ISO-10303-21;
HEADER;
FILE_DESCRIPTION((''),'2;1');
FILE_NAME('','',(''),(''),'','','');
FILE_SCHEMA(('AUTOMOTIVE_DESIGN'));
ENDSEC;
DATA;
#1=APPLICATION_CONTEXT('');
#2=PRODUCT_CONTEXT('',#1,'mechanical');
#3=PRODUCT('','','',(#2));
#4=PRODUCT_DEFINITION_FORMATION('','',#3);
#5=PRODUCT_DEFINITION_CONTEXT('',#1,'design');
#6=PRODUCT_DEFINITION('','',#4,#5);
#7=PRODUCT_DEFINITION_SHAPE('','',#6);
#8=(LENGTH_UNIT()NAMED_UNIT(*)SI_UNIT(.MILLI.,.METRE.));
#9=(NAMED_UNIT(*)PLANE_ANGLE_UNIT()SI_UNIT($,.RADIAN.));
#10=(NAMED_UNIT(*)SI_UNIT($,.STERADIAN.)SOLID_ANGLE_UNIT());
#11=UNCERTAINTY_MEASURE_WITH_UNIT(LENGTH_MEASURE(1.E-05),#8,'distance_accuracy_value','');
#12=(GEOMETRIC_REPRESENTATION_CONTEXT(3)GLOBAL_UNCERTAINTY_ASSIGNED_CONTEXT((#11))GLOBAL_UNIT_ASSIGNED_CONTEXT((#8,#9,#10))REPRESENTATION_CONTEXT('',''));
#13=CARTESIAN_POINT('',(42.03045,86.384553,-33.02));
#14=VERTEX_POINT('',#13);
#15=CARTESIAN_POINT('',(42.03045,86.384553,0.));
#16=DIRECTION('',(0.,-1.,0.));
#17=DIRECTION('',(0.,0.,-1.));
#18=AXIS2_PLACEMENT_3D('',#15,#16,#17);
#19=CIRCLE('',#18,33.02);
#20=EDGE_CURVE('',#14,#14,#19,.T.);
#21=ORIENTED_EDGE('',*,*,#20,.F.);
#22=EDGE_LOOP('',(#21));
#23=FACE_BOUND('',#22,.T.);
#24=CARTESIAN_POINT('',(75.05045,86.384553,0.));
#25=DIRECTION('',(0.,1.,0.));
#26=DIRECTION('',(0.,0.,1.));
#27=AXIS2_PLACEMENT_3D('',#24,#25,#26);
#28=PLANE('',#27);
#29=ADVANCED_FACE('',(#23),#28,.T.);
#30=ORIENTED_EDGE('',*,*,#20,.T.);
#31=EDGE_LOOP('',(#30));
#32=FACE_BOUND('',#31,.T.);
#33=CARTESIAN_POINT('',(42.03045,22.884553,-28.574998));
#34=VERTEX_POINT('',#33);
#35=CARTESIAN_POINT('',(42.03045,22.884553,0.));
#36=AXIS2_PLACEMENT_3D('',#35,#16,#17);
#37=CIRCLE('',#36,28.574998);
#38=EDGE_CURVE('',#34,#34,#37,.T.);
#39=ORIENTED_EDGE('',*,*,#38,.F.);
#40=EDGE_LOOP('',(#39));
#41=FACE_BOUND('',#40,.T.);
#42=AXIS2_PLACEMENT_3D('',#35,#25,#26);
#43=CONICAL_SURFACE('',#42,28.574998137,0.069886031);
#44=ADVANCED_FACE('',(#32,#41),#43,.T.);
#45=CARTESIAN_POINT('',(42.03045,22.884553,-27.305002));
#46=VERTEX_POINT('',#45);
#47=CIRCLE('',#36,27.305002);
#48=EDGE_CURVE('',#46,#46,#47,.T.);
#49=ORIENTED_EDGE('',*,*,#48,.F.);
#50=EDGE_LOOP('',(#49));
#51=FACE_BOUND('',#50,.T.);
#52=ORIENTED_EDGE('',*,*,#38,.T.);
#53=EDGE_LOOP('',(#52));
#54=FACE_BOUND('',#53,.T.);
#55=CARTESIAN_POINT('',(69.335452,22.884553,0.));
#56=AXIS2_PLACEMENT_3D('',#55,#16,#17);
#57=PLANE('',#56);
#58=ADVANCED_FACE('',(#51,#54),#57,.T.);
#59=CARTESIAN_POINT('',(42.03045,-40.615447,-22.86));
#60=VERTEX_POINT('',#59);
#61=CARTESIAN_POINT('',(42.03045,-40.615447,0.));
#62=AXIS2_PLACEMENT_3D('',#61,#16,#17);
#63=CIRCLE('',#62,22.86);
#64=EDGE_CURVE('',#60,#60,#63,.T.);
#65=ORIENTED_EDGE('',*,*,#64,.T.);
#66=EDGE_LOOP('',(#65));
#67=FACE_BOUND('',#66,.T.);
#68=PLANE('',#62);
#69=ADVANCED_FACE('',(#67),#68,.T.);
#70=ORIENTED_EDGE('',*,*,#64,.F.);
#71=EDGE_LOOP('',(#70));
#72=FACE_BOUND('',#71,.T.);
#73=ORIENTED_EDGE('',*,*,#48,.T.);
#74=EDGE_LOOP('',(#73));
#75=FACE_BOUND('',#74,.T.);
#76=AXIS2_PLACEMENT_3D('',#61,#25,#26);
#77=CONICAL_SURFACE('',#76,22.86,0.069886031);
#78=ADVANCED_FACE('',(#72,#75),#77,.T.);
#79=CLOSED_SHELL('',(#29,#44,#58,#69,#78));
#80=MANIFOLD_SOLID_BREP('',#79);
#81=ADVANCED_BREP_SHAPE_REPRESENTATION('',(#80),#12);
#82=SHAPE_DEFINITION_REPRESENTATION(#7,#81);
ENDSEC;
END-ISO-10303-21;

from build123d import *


with BuildPart() as part:
    # Sketch1 → Revolve1 (revolve)
    with BuildSketch(Plane.XY, mode=Mode.PRIVATE) as revolve1_sk:
        Polygon((42.030450172, -40.615447347), (64.890450172, -40.615447347), (69.335452035, 22.884552653), (70.605448309, 22.884552653), (75.050450172, 86.384552653), (42.030450172, 86.384552653), align=None)
    revolve(revolve1_sk.sketch.rotate(Axis((42.030450172, -40.615447347, 0), (0, 1, 0)), 90), axis=Axis((42.030450172, -40.615447347, 0), (0, 1, 0)))


solid = part.part
